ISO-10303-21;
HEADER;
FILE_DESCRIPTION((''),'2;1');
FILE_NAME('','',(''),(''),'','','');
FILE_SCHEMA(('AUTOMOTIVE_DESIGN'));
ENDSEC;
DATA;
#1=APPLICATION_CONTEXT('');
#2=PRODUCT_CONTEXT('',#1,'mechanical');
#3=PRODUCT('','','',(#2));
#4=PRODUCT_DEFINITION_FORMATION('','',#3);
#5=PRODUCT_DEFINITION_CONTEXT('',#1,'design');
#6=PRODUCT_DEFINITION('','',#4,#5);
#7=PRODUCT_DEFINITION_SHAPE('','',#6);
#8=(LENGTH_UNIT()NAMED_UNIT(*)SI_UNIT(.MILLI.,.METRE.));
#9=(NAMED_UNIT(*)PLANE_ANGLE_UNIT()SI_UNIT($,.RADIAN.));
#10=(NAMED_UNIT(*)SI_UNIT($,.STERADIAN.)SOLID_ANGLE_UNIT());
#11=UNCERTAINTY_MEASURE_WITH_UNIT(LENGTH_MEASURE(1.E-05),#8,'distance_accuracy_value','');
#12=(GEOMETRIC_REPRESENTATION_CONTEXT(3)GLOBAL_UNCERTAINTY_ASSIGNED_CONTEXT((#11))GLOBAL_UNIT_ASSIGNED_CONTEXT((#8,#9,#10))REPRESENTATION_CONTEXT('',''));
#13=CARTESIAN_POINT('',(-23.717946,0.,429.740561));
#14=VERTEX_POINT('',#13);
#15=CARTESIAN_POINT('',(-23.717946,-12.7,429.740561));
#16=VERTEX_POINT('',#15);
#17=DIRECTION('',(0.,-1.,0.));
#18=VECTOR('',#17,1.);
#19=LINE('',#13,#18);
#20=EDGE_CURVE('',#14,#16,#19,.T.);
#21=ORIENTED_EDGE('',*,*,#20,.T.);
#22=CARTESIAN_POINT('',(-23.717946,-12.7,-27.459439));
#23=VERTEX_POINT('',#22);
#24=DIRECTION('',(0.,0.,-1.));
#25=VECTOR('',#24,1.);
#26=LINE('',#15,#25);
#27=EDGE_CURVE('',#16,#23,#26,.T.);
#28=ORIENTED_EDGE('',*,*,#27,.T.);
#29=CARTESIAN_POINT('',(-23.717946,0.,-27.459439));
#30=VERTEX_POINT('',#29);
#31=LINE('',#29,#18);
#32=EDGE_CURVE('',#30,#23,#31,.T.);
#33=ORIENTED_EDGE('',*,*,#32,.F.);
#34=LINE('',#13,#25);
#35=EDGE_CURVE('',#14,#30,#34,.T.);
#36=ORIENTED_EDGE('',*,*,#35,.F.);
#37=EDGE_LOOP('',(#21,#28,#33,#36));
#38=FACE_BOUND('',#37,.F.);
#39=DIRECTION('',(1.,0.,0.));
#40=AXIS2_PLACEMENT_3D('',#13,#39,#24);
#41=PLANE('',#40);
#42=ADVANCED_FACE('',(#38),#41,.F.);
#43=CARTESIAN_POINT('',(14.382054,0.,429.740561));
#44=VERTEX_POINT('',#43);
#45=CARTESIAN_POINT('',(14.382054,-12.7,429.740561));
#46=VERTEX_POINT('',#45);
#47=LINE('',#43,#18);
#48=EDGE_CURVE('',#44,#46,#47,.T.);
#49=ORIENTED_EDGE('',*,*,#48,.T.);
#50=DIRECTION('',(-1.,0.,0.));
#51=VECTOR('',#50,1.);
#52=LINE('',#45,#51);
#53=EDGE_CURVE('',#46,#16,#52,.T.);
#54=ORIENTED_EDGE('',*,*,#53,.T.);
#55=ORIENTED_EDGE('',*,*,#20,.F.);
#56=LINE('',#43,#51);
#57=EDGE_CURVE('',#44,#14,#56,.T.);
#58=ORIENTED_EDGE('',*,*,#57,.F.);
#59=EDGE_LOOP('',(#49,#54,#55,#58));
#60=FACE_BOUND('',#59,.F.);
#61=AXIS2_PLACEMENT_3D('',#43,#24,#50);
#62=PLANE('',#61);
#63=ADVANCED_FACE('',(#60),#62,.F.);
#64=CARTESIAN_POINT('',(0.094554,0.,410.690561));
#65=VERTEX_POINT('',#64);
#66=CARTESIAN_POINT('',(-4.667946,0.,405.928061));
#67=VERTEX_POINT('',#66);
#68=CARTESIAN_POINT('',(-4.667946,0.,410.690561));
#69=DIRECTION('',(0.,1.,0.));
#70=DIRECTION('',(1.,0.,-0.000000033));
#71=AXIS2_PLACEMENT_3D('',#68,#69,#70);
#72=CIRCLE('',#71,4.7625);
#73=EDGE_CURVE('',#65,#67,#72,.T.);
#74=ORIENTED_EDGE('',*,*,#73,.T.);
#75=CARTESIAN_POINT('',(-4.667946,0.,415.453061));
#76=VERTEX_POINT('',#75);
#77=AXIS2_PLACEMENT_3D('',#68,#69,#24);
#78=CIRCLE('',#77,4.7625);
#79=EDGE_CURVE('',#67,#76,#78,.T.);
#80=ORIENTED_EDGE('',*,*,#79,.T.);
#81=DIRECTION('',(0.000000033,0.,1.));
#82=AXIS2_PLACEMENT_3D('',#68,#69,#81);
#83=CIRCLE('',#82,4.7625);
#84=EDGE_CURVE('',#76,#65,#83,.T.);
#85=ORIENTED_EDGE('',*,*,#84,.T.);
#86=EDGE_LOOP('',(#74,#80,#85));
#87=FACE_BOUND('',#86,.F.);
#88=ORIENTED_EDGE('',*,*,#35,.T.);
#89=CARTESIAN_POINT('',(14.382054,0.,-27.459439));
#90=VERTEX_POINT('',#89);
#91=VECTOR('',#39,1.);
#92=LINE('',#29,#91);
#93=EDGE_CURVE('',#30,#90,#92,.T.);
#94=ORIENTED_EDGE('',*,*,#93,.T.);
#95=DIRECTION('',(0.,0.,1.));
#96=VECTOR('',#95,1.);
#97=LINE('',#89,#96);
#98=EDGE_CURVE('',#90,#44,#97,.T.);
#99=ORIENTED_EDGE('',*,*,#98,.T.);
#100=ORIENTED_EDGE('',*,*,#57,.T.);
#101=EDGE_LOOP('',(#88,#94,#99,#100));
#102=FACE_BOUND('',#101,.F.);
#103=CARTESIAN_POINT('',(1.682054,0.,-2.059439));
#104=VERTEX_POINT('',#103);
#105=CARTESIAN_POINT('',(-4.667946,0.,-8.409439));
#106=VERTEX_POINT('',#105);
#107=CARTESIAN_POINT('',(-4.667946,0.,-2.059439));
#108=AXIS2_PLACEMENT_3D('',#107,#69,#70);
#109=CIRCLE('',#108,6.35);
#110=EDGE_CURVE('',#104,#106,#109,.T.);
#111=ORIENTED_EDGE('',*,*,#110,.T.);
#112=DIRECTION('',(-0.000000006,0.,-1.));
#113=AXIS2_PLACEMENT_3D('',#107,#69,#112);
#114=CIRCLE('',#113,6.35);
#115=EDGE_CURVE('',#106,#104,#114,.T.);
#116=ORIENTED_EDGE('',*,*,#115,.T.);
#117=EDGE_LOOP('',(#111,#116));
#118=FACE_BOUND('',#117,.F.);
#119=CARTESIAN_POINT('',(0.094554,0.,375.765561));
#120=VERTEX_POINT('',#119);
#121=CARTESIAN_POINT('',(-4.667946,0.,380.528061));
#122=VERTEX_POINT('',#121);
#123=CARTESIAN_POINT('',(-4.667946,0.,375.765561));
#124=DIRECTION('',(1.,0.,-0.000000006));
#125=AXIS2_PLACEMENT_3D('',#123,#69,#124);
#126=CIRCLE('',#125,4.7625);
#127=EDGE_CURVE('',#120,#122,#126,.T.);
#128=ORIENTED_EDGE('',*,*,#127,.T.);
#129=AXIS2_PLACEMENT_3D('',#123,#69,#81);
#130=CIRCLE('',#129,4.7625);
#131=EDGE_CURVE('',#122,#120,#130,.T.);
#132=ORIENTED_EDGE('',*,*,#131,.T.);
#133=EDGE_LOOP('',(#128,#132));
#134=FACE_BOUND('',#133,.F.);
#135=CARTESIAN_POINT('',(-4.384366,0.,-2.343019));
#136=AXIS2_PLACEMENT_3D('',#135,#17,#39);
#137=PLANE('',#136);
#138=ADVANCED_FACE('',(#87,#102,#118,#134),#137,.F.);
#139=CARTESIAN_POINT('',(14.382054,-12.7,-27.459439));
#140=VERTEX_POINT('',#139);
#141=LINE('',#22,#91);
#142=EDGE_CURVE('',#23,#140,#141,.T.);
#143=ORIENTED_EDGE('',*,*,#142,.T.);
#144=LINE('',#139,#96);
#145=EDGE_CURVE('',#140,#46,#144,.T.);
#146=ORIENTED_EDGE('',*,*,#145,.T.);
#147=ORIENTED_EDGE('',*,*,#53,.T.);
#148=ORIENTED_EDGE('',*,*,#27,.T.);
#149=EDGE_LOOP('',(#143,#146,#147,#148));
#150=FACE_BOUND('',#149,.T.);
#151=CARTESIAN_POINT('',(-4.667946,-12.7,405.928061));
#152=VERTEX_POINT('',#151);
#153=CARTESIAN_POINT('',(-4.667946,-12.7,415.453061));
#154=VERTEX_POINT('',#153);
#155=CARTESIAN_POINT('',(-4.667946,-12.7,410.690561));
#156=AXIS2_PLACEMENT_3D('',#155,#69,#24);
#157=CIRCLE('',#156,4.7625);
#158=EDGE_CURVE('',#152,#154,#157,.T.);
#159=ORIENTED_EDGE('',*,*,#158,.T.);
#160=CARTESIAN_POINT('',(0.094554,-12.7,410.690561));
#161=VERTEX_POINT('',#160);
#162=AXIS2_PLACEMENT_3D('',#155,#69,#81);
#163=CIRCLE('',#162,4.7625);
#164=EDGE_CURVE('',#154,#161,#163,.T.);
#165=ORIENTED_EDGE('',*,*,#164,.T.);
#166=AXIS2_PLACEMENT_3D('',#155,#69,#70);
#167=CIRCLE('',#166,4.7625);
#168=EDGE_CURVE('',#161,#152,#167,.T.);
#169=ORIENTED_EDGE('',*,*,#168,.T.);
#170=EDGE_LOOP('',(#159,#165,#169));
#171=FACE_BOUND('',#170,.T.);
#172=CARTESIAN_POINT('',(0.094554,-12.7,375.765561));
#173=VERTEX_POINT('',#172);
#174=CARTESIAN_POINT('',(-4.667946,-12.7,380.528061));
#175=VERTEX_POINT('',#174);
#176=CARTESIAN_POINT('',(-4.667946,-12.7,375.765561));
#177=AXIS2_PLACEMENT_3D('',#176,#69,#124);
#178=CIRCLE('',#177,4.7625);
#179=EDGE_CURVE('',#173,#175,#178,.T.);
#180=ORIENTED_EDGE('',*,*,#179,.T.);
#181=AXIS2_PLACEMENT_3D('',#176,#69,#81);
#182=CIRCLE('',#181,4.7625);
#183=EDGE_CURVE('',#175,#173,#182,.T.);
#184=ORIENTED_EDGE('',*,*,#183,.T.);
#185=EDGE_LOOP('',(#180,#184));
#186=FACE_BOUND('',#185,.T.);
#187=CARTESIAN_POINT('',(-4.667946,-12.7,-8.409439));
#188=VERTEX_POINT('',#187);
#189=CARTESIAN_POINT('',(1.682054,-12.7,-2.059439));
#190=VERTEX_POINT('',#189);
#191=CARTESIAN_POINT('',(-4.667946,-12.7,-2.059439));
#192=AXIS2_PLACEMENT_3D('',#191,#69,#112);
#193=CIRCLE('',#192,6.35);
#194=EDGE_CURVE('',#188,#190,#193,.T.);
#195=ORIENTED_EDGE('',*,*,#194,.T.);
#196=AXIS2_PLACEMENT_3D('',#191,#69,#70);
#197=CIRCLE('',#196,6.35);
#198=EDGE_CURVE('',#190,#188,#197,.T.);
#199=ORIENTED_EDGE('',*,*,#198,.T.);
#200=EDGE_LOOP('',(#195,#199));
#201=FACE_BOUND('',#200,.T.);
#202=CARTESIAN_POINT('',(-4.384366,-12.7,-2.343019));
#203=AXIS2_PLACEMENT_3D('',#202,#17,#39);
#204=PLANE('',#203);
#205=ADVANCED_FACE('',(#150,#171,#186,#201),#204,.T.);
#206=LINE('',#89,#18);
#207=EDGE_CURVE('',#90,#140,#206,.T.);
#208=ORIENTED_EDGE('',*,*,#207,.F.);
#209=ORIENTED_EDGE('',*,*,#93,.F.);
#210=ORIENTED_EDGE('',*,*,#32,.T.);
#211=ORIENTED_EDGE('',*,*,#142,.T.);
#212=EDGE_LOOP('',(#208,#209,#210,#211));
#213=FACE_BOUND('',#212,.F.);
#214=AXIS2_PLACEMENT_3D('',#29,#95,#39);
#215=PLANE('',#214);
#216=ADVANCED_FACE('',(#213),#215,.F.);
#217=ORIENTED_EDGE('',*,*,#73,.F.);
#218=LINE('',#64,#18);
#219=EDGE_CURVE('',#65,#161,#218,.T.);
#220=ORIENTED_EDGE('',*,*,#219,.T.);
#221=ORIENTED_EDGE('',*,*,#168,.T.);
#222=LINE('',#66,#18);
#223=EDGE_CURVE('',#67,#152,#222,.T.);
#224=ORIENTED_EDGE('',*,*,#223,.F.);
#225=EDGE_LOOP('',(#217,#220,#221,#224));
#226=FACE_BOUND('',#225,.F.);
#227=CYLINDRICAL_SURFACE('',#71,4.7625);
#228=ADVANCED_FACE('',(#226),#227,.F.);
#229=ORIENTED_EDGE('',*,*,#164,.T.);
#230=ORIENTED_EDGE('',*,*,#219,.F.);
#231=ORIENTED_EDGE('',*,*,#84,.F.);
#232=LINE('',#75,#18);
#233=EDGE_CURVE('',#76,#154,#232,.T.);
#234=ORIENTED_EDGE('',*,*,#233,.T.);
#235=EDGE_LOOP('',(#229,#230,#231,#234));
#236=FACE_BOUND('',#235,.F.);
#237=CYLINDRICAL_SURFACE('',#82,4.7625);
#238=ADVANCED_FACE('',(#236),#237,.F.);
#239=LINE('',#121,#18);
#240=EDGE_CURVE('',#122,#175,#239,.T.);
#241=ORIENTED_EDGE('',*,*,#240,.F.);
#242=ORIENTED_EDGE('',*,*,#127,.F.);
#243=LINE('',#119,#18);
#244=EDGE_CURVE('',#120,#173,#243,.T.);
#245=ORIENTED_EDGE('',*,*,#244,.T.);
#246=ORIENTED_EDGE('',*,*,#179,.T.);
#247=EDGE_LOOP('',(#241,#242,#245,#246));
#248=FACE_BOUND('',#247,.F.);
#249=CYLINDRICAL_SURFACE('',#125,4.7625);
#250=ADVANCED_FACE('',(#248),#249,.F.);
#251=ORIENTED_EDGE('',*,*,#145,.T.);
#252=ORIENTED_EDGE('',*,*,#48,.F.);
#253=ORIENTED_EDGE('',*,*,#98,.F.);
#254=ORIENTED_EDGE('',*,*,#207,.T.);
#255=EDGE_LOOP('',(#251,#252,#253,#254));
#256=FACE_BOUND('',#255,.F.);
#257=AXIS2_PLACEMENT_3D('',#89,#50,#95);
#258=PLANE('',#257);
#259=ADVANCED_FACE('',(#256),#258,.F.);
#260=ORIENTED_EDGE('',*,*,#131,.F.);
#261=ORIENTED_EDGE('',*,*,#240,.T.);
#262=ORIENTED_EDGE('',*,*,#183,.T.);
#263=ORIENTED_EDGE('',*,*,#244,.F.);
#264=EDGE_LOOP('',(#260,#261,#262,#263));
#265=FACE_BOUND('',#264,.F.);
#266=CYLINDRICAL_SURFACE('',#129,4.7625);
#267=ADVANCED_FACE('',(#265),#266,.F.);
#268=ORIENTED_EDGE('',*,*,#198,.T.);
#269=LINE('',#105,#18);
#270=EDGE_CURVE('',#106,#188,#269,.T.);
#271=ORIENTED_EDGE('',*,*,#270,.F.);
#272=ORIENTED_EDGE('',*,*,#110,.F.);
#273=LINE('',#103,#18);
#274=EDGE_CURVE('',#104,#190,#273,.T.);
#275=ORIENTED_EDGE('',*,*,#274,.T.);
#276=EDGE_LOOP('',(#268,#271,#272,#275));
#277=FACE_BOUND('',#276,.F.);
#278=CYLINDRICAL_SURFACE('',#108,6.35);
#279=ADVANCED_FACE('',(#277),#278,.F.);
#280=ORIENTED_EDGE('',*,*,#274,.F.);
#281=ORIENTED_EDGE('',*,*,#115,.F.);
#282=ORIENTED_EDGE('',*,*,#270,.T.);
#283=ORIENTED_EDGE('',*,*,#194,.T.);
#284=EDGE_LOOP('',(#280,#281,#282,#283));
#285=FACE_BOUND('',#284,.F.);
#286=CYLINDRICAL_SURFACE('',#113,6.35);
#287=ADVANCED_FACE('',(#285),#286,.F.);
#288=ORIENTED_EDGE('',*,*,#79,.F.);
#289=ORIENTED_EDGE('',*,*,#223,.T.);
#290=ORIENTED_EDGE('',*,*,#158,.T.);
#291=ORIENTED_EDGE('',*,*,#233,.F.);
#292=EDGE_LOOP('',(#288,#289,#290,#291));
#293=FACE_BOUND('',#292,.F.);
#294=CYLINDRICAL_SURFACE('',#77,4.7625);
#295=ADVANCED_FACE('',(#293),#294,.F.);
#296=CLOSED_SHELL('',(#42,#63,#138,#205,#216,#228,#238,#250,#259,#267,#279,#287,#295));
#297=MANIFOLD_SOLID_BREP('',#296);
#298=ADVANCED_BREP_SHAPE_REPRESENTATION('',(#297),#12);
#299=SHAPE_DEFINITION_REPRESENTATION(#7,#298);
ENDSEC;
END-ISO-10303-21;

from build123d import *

# Parameters (mm, degrees)
F1_DEPTH = 12.7


with BuildPart() as f1:
    # F0 (on Front) → F1 (new body)
    with BuildSketch(Plane.XZ):
        with BuildLine():
            ThreePointArc((1.682054, -2.059439), (-9.158074, 2.430689), (-4.667946, -8.409439))
            ThreePointArc((-4.667946, -8.409439), (-0.177818, -6.549567), (1.682054, -2.059439))
        make_face()
        with BuildLine():
            ThreePointArc((0.094554, 375.765561), (-1.30035, 379.133157), (-4.667946, 380.528061))
            ThreePointArc((-4.667946, 380.528061), (-8.035542, 372.397965), (0.094554, 375.765561))
        make_face()
        Polygon((-4.667946, 429.740561), (-23.717946, 429.740561), (-23.717946, -27.459439), (-4.667946, -27.459439), (14.382054, -27.459439), (14.382054, 429.740561), align=None)
        with BuildLine():
            ThreePointArc((1.682054, -2.059439), (-0.177818, -6.549567), (-4.667946, -8.409439))
            ThreePointArc((-4.667946, -8.409439), (-9.158074, 2.430689), (1.682054, -2.059439))
        make_face(mode=Mode.SUBTRACT)
        with BuildLine():
            ThreePointArc((0.094554, 375.765561), (-8.035542, 372.397965), (-4.667946, 380.528061))
            ThreePointArc((-4.667946, 380.528061), (-1.30035, 379.133157), (0.094554, 375.765561))
        make_face(mode=Mode.SUBTRACT)
        with BuildLine():
            ThreePointArc((-4.667946, 405.928061), (-9.430446, 410.690561), (-4.667946, 415.453061))
            ThreePointArc((-4.667946, 415.453061), (-1.30035, 414.058157), (0.094554, 410.690561))
            ThreePointArc((0.094554, 410.690561), (-1.30035, 407.322965), (-4.667946, 405.928061))
        make_face(mode=Mode.SUBTRACT)
    extrude(amount=F1_DEPTH)


solid = f1.part
